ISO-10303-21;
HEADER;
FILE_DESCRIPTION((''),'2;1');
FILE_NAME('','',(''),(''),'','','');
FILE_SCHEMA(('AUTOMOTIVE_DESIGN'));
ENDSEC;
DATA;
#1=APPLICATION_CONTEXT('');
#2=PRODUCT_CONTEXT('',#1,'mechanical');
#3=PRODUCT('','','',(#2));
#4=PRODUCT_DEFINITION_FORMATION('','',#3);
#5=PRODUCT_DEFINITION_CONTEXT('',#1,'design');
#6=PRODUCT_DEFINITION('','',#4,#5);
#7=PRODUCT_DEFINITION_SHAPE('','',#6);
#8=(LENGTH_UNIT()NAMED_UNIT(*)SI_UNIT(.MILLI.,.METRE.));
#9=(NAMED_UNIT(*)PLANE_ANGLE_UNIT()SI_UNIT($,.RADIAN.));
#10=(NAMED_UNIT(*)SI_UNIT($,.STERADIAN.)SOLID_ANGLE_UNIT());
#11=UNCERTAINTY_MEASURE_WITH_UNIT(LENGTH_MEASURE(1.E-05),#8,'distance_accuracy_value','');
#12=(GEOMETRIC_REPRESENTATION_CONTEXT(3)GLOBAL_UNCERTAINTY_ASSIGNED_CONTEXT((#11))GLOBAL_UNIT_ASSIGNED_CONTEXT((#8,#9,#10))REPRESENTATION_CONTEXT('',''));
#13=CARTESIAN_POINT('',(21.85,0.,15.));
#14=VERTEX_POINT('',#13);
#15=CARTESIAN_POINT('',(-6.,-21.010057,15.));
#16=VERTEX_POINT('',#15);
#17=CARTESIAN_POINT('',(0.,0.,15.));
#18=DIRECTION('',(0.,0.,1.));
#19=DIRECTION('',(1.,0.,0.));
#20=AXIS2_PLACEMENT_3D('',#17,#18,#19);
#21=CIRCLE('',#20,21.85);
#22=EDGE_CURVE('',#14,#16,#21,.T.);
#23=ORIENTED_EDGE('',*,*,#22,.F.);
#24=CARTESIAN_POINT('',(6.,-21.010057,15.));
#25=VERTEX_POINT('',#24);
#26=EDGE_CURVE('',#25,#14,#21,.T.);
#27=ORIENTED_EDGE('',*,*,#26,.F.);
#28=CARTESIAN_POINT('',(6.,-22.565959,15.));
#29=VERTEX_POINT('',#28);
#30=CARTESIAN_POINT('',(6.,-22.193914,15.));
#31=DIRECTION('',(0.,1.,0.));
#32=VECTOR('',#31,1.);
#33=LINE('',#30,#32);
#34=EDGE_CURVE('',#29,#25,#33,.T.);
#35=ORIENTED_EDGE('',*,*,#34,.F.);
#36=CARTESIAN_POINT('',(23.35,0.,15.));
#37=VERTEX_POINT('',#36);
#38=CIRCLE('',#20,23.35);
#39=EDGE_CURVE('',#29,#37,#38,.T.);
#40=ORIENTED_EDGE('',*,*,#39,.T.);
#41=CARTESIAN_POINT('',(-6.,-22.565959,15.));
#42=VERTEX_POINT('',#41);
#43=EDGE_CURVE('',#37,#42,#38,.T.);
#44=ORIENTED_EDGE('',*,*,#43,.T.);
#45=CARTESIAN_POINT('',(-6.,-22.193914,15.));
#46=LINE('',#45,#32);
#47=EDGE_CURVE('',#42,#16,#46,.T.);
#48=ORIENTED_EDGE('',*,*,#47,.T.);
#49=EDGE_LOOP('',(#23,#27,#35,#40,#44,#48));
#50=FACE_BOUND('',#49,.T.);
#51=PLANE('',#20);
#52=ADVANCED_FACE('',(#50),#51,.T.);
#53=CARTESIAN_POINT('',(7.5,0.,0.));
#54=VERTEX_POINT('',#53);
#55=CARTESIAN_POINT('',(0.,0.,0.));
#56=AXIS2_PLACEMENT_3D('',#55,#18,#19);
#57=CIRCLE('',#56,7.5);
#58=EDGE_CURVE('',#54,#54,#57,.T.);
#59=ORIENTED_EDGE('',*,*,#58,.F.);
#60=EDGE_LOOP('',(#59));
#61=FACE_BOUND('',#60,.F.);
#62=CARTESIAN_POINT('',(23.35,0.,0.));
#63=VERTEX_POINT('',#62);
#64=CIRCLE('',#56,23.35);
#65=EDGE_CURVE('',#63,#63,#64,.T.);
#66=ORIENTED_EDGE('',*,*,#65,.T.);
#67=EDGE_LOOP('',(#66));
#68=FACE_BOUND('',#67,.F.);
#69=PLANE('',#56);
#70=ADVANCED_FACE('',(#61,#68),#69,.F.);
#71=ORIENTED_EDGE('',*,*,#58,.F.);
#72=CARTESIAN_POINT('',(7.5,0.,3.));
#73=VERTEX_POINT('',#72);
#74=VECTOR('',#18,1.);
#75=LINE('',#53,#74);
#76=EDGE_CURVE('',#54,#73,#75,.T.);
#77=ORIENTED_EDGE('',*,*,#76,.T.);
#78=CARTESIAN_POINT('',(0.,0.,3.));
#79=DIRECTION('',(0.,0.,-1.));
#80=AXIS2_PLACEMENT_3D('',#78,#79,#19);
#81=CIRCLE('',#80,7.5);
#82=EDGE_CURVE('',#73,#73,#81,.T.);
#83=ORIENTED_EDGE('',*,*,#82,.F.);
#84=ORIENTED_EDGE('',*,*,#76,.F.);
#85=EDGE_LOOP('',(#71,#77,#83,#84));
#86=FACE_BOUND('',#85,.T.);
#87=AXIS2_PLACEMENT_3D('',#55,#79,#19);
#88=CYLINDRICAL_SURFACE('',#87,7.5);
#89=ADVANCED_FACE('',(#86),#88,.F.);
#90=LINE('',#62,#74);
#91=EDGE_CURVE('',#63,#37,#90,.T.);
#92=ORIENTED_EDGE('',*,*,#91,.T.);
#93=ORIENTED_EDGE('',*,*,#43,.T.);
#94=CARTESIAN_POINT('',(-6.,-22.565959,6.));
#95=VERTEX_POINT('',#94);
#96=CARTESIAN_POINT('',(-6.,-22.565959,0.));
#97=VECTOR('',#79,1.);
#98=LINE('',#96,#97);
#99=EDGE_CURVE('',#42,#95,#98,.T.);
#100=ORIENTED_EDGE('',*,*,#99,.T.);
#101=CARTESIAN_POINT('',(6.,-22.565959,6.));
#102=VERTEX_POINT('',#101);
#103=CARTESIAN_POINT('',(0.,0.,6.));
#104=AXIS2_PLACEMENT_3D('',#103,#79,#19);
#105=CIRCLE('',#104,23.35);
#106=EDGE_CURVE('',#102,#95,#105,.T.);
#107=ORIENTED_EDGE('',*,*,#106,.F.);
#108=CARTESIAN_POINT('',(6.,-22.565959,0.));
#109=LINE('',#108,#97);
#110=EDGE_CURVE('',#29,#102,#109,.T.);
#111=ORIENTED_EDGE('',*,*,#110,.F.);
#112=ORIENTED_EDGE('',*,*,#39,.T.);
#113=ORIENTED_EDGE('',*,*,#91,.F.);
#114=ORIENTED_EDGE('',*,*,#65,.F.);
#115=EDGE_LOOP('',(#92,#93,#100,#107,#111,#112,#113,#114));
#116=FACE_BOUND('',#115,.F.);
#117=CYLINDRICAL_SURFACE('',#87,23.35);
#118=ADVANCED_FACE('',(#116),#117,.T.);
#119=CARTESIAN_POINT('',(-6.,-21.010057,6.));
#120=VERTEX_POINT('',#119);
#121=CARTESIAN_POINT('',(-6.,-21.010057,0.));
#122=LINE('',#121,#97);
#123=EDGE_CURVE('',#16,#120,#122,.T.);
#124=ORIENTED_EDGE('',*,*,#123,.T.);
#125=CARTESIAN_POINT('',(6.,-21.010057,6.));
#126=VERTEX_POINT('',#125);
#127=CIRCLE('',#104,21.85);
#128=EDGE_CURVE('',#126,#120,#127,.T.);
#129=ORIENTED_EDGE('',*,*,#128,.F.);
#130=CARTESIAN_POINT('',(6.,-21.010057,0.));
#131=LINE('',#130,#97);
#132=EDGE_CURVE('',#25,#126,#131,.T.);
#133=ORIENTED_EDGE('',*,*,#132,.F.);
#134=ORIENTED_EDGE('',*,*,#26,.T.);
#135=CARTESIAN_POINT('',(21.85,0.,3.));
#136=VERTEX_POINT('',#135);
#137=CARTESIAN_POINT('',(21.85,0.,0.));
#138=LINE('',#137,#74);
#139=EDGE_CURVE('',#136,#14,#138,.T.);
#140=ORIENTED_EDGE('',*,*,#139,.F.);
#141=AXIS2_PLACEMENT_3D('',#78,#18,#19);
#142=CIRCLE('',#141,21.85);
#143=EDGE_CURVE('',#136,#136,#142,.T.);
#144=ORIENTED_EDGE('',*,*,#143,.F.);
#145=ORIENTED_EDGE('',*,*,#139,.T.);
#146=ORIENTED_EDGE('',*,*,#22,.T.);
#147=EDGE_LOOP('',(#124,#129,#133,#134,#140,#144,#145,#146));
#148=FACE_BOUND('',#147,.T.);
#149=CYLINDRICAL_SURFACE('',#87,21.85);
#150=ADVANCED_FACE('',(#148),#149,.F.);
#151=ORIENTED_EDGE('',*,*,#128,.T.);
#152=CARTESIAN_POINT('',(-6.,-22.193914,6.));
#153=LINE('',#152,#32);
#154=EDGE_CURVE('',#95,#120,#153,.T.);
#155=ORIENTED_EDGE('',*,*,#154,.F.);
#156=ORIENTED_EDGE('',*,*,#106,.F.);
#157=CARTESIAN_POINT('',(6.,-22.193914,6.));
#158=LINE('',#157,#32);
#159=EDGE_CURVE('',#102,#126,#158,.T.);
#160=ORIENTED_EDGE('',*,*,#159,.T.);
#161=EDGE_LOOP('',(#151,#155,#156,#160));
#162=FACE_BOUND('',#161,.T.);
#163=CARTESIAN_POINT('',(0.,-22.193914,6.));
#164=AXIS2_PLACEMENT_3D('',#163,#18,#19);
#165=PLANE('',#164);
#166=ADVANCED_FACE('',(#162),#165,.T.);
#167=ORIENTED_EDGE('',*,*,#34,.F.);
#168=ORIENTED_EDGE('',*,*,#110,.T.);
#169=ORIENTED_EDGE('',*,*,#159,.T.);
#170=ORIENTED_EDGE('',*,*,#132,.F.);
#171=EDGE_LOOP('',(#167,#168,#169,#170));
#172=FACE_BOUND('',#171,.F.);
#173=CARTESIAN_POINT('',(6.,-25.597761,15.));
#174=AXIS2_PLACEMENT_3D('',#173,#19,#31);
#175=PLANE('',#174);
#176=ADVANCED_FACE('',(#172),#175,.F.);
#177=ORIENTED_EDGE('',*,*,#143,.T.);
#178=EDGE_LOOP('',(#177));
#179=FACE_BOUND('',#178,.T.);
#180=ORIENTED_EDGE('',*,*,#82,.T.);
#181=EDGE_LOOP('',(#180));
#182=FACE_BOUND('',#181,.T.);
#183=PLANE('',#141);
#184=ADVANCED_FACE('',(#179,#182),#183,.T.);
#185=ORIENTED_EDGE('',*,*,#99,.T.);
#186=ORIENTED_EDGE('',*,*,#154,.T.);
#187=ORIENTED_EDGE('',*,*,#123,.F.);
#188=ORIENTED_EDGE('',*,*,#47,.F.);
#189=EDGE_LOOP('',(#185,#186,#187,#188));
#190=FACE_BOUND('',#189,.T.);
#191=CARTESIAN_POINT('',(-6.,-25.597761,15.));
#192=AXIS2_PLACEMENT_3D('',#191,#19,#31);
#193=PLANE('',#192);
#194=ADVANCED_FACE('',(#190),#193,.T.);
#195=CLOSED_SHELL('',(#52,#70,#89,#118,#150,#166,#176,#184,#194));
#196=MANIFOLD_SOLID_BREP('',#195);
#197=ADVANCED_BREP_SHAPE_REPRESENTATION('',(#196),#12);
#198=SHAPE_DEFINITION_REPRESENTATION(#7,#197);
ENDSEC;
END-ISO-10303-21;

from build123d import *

# Parameters (mm, degrees)
F0_R     = 23.35
F0_R_2   = 21.85
F1_DEPTH = 15
F2_DEPTH = 3
F3_R     = 7.5
F4_DEPTH = 25.4
F6_W     = 12
F6_H     = 6.807694
F7_DEPTH = 9


with BuildPart() as f1:
    # F0 (on Top) → F1 (new body)
    with BuildSketch(Plane.XY):
        Circle(F0_R)
        Circle(F0_R_2, mode=Mode.SUBTRACT)
    extrude(amount=F1_DEPTH)

    # F0 (on Top) → F2 (join)
    with BuildSketch(Plane.XY):
        Circle(F0_R_2)
    extrude(amount=F2_DEPTH)

    # F3 (on Top) → F4 (cut)
    with BuildSketch(Plane.XY):
        Circle(F3_R)
    extrude(amount=F4_DEPTH, mode=Mode.SUBTRACT)

    # F6 (on offset) → F7 (cut)
    with BuildSketch(Plane.XY.offset(15)):
        with Locations((0, -22.193914)):
            Rectangle(F6_W, F6_H)
    extrude(amount=-F7_DEPTH, mode=Mode.SUBTRACT)


solid = f1.part
